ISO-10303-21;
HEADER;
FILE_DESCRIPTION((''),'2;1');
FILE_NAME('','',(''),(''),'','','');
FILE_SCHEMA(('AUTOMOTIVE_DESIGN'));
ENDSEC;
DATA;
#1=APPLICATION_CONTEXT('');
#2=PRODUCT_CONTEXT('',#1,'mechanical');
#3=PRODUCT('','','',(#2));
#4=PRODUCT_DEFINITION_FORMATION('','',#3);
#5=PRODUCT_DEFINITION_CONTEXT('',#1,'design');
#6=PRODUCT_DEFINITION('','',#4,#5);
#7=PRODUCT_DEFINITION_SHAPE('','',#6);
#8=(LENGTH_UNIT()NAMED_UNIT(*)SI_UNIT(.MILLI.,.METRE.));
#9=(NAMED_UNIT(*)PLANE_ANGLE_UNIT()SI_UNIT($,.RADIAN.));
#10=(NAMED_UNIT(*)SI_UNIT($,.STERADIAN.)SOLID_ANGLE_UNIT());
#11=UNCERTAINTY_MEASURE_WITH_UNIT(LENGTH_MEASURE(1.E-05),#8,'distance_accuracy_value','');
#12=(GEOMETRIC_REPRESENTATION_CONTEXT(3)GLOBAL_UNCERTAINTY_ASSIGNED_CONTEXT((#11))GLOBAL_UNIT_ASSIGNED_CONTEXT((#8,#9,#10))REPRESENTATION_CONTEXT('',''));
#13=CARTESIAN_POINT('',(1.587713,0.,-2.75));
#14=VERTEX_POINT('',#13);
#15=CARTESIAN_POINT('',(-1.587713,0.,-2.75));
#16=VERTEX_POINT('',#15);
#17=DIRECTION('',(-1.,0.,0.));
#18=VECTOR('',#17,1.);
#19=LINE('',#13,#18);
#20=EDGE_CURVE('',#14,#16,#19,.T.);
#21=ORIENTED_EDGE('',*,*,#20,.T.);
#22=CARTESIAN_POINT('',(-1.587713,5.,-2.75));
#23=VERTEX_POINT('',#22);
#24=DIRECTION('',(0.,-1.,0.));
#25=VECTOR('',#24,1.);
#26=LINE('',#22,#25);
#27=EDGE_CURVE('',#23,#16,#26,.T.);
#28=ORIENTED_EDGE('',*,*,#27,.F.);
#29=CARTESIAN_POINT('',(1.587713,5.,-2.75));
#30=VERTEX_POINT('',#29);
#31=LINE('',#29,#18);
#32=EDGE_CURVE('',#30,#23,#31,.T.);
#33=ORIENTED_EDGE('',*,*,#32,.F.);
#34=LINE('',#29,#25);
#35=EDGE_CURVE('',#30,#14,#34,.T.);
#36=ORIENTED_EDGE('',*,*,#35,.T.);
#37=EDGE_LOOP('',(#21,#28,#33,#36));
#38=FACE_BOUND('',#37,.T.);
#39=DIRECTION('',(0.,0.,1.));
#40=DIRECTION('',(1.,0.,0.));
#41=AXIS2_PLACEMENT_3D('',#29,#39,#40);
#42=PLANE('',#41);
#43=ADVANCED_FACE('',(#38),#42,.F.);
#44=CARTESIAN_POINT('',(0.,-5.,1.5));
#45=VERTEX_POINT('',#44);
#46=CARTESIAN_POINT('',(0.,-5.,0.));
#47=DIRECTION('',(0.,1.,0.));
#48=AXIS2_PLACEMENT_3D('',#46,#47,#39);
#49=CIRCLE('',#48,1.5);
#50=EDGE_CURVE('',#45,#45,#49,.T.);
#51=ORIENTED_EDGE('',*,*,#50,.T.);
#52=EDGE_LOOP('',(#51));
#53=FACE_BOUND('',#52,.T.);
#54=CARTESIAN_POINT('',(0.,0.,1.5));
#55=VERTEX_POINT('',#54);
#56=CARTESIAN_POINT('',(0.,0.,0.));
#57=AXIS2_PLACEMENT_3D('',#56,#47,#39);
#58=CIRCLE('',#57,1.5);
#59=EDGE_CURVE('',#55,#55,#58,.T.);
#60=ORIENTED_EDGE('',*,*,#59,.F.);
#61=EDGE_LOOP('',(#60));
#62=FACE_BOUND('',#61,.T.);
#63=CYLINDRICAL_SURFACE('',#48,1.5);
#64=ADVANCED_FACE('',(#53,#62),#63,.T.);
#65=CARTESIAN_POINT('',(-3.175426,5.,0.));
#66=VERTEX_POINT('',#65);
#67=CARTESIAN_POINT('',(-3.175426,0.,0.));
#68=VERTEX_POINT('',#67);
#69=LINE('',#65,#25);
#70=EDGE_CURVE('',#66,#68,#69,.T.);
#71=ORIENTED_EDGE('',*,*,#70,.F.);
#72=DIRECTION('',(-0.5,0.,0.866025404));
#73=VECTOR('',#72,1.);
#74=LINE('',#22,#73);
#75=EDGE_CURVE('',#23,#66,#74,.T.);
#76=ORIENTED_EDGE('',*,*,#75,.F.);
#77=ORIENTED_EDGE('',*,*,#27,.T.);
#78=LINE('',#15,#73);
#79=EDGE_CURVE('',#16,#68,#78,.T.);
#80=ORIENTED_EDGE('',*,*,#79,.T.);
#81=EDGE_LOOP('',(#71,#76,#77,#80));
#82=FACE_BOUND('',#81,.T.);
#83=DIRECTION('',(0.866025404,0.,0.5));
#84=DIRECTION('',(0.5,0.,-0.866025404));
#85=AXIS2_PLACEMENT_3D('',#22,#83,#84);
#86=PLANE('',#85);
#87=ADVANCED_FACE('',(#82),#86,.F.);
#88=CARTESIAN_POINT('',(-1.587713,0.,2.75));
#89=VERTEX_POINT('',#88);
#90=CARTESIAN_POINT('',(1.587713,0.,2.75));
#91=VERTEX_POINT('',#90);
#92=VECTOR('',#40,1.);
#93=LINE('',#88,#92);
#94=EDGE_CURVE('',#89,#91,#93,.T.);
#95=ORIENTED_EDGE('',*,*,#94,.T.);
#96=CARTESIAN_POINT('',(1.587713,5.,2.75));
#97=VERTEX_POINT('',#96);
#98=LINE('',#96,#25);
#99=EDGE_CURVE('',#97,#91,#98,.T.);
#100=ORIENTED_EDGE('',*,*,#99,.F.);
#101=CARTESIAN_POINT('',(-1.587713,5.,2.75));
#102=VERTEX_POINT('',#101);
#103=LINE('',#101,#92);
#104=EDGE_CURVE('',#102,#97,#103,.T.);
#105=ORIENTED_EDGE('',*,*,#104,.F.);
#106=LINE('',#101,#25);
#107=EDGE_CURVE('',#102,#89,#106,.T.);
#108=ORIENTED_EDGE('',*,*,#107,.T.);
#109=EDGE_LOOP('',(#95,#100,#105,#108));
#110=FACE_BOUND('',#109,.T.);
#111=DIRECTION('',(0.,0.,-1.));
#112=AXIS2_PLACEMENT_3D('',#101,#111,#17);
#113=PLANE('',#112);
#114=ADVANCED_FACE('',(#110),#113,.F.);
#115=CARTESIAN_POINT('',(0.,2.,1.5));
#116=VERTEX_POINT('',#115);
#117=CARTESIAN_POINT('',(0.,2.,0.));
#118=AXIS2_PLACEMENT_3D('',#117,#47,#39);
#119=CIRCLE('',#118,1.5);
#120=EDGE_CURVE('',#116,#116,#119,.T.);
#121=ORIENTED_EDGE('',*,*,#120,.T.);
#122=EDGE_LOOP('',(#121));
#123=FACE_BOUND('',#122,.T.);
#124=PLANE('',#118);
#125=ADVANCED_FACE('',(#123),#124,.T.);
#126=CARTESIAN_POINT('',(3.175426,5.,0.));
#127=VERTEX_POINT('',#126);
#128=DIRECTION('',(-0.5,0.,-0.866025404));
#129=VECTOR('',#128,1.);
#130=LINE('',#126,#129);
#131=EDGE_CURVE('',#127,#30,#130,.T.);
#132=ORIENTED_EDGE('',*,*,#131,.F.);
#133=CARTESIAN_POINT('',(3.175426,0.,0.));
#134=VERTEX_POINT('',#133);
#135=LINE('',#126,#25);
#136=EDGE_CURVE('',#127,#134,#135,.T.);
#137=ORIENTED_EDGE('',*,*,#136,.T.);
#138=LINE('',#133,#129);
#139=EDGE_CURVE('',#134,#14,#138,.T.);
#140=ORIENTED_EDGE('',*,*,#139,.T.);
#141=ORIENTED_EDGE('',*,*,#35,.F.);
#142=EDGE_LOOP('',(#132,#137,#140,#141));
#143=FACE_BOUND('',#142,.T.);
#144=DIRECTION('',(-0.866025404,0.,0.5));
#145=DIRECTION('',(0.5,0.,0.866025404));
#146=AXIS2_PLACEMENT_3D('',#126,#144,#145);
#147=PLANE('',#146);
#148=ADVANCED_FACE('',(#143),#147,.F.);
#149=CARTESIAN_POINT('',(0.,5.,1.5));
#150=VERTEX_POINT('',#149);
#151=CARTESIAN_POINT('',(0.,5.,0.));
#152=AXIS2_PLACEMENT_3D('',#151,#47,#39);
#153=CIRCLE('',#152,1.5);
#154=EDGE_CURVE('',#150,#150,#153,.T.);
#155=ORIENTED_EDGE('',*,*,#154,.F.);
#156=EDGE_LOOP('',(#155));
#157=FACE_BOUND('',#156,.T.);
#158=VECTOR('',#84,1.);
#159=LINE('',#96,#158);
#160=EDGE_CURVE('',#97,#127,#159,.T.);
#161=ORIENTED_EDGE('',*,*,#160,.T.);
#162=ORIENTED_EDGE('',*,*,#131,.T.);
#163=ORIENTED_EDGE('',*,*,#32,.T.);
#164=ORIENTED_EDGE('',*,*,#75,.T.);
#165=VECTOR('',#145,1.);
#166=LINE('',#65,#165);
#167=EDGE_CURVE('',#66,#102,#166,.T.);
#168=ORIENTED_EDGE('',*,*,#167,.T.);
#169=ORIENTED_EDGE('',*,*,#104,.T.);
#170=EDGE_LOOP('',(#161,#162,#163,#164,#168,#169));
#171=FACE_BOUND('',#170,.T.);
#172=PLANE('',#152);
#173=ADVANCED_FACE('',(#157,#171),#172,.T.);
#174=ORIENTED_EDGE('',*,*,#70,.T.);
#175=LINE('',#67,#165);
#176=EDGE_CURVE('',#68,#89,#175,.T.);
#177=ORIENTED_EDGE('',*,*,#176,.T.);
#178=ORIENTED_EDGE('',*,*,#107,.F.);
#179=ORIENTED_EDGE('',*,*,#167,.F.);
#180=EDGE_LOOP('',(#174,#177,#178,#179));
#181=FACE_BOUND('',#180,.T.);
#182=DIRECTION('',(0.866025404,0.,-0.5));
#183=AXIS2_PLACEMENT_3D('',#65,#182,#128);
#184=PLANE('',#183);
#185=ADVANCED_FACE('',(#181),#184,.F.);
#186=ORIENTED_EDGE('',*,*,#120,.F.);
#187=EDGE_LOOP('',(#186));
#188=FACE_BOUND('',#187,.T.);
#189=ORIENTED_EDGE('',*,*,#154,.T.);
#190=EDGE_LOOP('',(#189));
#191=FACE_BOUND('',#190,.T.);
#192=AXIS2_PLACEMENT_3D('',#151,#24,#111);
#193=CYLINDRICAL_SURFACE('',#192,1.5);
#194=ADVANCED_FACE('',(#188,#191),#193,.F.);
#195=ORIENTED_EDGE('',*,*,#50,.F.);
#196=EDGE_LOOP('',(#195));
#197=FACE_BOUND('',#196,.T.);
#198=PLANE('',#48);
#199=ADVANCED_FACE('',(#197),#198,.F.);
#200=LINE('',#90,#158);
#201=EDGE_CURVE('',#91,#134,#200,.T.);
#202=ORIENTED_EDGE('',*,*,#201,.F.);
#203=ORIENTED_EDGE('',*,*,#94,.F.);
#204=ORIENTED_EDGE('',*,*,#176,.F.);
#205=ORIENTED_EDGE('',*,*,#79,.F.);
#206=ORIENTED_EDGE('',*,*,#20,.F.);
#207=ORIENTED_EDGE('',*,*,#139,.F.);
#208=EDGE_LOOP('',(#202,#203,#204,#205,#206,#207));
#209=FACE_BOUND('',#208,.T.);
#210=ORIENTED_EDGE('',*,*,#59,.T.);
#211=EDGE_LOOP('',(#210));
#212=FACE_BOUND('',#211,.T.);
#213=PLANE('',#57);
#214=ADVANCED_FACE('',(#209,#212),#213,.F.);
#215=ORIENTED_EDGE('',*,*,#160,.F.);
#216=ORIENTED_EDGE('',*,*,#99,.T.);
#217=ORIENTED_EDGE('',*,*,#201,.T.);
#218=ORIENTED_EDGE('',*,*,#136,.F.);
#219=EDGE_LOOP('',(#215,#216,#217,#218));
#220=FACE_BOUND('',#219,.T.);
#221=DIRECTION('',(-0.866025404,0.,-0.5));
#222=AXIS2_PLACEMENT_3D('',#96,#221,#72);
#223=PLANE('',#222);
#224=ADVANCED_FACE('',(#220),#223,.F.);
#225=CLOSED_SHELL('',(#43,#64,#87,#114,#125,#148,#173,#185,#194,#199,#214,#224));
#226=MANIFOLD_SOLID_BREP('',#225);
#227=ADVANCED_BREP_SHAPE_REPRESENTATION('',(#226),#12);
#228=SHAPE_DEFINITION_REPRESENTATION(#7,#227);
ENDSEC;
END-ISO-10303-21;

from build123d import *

# Parameters (mm, degrees)
IZIM1_R                     = 1.5
Y_KSEKLIK_EKSTR_ZYON1_DEPTH = 5
Y_KSEKLIK_EKSTR_ZYON2_START = -5
IZIM1_2_R                   = 1.5
Y_KSEKLIK_EKSTR_ZYON2_DEPTH = 7


with BuildPart() as part:
    # Çizim1 → Yükseklik-Ekstrüzyon1 (new body)
    with BuildSketch(Plane(origin=(0, 0, 0), x_dir=(1, 0, 0), z_dir=(0, 1, 0))):
        Polygon((1.58771324, -2.75), (3.175426481, 0), (1.58771324, 2.75), (-1.58771324, 2.75), (-3.175426481, 0), (-1.58771324, -2.75), align=None)
        Circle(IZIM1_R, mode=Mode.SUBTRACT)
    extrude(amount=Y_KSEKLIK_EKSTR_ZYON1_DEPTH)

    # Çizim1<2> → Yükseklik-Ekstrüzyon2 (add)
    with BuildSketch(Plane(origin=(0, 0, 0), x_dir=(1, 0, 0), z_dir=(0, 1, 0)).offset(Y_KSEKLIK_EKSTR_ZYON2_START)):
        Circle(IZIM1_2_R)
    extrude(amount=Y_KSEKLIK_EKSTR_ZYON2_DEPTH)


solid = part.part
